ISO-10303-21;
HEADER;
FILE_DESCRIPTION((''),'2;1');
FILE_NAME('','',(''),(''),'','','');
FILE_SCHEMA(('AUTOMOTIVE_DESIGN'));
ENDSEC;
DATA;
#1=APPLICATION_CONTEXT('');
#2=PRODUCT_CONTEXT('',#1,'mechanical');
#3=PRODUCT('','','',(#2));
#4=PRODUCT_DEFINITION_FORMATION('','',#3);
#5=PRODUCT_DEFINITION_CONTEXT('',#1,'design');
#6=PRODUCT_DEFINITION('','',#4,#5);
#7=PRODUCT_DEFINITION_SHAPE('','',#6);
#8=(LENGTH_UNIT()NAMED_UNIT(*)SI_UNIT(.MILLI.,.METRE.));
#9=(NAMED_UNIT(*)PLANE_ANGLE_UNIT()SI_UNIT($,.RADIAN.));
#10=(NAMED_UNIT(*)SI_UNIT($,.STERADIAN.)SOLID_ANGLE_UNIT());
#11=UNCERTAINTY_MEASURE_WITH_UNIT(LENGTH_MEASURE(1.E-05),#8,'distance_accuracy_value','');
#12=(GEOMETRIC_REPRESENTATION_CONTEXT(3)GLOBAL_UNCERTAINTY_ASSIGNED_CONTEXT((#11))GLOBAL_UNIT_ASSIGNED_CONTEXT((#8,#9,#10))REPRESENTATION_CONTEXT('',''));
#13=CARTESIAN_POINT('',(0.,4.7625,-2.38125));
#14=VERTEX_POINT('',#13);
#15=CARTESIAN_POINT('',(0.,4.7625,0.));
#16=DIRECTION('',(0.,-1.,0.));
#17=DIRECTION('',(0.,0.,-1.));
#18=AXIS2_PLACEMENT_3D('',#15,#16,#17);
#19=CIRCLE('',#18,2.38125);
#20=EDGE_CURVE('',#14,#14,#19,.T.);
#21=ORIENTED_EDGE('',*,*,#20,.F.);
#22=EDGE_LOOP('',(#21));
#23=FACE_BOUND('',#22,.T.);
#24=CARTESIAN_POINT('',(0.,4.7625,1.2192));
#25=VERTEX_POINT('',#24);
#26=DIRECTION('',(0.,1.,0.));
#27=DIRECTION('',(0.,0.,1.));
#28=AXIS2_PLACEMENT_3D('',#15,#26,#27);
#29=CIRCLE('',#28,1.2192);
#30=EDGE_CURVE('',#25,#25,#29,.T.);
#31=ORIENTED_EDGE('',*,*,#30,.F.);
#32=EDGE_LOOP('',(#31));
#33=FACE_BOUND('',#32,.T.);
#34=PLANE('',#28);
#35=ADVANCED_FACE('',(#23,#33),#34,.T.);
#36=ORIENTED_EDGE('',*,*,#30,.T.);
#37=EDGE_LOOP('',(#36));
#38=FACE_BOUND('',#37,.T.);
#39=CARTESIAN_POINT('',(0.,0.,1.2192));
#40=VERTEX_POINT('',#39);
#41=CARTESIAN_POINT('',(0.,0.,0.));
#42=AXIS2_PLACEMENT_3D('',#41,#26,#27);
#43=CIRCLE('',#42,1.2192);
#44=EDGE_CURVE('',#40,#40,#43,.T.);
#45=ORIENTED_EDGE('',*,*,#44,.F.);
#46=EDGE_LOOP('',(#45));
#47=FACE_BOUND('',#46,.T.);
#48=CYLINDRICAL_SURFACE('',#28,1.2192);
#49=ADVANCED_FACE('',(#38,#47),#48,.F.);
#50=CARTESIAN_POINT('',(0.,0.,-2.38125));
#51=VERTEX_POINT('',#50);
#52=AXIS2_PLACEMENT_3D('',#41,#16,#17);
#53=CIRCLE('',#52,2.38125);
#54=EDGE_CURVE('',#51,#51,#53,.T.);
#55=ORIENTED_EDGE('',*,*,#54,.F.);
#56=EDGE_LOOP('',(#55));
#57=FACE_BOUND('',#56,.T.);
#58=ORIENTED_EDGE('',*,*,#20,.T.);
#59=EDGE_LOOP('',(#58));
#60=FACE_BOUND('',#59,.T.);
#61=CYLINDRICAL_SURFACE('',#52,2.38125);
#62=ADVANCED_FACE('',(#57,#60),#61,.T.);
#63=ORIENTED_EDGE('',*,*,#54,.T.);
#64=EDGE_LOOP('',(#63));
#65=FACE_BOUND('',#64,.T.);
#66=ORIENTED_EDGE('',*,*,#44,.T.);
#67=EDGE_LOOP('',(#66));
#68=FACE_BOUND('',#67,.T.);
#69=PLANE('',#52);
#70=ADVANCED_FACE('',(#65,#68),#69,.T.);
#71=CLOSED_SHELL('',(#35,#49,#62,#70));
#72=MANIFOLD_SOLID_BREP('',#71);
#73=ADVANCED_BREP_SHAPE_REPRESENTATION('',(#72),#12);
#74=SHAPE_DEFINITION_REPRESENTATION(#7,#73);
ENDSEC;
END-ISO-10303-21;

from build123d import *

# Parameters (mm, degrees)
SKETCH1_W             = 2.38125
SKETCH1_H             = 4.7625
F_2_CLEARANCE_HOLE1_D = 2.4384


with BuildPart() as part:
    # Sketch1 → Revolve1 (revolve)
    with BuildSketch(Plane.XY, mode=Mode.PRIVATE) as revolve1_sk:
        with Locations((1.190625, 2.38125)):
            Rectangle(SKETCH1_W, SKETCH1_H)
    revolve(revolve1_sk.sketch.rotate(Axis((0, 0, 0), (0, 1, 0)), 90), axis=Axis((0, 0, 0), (0, 1, 0)))

    # #2 Clearance Hole1 (through all)
    with Locations(Plane(origin=(0, 4.7625, 0), x_dir=(1, 0, 0), z_dir=(0, 1, 0))):
        with Locations((0, 0)):
            Hole(F_2_CLEARANCE_HOLE1_D / 2)


solid = part.part
